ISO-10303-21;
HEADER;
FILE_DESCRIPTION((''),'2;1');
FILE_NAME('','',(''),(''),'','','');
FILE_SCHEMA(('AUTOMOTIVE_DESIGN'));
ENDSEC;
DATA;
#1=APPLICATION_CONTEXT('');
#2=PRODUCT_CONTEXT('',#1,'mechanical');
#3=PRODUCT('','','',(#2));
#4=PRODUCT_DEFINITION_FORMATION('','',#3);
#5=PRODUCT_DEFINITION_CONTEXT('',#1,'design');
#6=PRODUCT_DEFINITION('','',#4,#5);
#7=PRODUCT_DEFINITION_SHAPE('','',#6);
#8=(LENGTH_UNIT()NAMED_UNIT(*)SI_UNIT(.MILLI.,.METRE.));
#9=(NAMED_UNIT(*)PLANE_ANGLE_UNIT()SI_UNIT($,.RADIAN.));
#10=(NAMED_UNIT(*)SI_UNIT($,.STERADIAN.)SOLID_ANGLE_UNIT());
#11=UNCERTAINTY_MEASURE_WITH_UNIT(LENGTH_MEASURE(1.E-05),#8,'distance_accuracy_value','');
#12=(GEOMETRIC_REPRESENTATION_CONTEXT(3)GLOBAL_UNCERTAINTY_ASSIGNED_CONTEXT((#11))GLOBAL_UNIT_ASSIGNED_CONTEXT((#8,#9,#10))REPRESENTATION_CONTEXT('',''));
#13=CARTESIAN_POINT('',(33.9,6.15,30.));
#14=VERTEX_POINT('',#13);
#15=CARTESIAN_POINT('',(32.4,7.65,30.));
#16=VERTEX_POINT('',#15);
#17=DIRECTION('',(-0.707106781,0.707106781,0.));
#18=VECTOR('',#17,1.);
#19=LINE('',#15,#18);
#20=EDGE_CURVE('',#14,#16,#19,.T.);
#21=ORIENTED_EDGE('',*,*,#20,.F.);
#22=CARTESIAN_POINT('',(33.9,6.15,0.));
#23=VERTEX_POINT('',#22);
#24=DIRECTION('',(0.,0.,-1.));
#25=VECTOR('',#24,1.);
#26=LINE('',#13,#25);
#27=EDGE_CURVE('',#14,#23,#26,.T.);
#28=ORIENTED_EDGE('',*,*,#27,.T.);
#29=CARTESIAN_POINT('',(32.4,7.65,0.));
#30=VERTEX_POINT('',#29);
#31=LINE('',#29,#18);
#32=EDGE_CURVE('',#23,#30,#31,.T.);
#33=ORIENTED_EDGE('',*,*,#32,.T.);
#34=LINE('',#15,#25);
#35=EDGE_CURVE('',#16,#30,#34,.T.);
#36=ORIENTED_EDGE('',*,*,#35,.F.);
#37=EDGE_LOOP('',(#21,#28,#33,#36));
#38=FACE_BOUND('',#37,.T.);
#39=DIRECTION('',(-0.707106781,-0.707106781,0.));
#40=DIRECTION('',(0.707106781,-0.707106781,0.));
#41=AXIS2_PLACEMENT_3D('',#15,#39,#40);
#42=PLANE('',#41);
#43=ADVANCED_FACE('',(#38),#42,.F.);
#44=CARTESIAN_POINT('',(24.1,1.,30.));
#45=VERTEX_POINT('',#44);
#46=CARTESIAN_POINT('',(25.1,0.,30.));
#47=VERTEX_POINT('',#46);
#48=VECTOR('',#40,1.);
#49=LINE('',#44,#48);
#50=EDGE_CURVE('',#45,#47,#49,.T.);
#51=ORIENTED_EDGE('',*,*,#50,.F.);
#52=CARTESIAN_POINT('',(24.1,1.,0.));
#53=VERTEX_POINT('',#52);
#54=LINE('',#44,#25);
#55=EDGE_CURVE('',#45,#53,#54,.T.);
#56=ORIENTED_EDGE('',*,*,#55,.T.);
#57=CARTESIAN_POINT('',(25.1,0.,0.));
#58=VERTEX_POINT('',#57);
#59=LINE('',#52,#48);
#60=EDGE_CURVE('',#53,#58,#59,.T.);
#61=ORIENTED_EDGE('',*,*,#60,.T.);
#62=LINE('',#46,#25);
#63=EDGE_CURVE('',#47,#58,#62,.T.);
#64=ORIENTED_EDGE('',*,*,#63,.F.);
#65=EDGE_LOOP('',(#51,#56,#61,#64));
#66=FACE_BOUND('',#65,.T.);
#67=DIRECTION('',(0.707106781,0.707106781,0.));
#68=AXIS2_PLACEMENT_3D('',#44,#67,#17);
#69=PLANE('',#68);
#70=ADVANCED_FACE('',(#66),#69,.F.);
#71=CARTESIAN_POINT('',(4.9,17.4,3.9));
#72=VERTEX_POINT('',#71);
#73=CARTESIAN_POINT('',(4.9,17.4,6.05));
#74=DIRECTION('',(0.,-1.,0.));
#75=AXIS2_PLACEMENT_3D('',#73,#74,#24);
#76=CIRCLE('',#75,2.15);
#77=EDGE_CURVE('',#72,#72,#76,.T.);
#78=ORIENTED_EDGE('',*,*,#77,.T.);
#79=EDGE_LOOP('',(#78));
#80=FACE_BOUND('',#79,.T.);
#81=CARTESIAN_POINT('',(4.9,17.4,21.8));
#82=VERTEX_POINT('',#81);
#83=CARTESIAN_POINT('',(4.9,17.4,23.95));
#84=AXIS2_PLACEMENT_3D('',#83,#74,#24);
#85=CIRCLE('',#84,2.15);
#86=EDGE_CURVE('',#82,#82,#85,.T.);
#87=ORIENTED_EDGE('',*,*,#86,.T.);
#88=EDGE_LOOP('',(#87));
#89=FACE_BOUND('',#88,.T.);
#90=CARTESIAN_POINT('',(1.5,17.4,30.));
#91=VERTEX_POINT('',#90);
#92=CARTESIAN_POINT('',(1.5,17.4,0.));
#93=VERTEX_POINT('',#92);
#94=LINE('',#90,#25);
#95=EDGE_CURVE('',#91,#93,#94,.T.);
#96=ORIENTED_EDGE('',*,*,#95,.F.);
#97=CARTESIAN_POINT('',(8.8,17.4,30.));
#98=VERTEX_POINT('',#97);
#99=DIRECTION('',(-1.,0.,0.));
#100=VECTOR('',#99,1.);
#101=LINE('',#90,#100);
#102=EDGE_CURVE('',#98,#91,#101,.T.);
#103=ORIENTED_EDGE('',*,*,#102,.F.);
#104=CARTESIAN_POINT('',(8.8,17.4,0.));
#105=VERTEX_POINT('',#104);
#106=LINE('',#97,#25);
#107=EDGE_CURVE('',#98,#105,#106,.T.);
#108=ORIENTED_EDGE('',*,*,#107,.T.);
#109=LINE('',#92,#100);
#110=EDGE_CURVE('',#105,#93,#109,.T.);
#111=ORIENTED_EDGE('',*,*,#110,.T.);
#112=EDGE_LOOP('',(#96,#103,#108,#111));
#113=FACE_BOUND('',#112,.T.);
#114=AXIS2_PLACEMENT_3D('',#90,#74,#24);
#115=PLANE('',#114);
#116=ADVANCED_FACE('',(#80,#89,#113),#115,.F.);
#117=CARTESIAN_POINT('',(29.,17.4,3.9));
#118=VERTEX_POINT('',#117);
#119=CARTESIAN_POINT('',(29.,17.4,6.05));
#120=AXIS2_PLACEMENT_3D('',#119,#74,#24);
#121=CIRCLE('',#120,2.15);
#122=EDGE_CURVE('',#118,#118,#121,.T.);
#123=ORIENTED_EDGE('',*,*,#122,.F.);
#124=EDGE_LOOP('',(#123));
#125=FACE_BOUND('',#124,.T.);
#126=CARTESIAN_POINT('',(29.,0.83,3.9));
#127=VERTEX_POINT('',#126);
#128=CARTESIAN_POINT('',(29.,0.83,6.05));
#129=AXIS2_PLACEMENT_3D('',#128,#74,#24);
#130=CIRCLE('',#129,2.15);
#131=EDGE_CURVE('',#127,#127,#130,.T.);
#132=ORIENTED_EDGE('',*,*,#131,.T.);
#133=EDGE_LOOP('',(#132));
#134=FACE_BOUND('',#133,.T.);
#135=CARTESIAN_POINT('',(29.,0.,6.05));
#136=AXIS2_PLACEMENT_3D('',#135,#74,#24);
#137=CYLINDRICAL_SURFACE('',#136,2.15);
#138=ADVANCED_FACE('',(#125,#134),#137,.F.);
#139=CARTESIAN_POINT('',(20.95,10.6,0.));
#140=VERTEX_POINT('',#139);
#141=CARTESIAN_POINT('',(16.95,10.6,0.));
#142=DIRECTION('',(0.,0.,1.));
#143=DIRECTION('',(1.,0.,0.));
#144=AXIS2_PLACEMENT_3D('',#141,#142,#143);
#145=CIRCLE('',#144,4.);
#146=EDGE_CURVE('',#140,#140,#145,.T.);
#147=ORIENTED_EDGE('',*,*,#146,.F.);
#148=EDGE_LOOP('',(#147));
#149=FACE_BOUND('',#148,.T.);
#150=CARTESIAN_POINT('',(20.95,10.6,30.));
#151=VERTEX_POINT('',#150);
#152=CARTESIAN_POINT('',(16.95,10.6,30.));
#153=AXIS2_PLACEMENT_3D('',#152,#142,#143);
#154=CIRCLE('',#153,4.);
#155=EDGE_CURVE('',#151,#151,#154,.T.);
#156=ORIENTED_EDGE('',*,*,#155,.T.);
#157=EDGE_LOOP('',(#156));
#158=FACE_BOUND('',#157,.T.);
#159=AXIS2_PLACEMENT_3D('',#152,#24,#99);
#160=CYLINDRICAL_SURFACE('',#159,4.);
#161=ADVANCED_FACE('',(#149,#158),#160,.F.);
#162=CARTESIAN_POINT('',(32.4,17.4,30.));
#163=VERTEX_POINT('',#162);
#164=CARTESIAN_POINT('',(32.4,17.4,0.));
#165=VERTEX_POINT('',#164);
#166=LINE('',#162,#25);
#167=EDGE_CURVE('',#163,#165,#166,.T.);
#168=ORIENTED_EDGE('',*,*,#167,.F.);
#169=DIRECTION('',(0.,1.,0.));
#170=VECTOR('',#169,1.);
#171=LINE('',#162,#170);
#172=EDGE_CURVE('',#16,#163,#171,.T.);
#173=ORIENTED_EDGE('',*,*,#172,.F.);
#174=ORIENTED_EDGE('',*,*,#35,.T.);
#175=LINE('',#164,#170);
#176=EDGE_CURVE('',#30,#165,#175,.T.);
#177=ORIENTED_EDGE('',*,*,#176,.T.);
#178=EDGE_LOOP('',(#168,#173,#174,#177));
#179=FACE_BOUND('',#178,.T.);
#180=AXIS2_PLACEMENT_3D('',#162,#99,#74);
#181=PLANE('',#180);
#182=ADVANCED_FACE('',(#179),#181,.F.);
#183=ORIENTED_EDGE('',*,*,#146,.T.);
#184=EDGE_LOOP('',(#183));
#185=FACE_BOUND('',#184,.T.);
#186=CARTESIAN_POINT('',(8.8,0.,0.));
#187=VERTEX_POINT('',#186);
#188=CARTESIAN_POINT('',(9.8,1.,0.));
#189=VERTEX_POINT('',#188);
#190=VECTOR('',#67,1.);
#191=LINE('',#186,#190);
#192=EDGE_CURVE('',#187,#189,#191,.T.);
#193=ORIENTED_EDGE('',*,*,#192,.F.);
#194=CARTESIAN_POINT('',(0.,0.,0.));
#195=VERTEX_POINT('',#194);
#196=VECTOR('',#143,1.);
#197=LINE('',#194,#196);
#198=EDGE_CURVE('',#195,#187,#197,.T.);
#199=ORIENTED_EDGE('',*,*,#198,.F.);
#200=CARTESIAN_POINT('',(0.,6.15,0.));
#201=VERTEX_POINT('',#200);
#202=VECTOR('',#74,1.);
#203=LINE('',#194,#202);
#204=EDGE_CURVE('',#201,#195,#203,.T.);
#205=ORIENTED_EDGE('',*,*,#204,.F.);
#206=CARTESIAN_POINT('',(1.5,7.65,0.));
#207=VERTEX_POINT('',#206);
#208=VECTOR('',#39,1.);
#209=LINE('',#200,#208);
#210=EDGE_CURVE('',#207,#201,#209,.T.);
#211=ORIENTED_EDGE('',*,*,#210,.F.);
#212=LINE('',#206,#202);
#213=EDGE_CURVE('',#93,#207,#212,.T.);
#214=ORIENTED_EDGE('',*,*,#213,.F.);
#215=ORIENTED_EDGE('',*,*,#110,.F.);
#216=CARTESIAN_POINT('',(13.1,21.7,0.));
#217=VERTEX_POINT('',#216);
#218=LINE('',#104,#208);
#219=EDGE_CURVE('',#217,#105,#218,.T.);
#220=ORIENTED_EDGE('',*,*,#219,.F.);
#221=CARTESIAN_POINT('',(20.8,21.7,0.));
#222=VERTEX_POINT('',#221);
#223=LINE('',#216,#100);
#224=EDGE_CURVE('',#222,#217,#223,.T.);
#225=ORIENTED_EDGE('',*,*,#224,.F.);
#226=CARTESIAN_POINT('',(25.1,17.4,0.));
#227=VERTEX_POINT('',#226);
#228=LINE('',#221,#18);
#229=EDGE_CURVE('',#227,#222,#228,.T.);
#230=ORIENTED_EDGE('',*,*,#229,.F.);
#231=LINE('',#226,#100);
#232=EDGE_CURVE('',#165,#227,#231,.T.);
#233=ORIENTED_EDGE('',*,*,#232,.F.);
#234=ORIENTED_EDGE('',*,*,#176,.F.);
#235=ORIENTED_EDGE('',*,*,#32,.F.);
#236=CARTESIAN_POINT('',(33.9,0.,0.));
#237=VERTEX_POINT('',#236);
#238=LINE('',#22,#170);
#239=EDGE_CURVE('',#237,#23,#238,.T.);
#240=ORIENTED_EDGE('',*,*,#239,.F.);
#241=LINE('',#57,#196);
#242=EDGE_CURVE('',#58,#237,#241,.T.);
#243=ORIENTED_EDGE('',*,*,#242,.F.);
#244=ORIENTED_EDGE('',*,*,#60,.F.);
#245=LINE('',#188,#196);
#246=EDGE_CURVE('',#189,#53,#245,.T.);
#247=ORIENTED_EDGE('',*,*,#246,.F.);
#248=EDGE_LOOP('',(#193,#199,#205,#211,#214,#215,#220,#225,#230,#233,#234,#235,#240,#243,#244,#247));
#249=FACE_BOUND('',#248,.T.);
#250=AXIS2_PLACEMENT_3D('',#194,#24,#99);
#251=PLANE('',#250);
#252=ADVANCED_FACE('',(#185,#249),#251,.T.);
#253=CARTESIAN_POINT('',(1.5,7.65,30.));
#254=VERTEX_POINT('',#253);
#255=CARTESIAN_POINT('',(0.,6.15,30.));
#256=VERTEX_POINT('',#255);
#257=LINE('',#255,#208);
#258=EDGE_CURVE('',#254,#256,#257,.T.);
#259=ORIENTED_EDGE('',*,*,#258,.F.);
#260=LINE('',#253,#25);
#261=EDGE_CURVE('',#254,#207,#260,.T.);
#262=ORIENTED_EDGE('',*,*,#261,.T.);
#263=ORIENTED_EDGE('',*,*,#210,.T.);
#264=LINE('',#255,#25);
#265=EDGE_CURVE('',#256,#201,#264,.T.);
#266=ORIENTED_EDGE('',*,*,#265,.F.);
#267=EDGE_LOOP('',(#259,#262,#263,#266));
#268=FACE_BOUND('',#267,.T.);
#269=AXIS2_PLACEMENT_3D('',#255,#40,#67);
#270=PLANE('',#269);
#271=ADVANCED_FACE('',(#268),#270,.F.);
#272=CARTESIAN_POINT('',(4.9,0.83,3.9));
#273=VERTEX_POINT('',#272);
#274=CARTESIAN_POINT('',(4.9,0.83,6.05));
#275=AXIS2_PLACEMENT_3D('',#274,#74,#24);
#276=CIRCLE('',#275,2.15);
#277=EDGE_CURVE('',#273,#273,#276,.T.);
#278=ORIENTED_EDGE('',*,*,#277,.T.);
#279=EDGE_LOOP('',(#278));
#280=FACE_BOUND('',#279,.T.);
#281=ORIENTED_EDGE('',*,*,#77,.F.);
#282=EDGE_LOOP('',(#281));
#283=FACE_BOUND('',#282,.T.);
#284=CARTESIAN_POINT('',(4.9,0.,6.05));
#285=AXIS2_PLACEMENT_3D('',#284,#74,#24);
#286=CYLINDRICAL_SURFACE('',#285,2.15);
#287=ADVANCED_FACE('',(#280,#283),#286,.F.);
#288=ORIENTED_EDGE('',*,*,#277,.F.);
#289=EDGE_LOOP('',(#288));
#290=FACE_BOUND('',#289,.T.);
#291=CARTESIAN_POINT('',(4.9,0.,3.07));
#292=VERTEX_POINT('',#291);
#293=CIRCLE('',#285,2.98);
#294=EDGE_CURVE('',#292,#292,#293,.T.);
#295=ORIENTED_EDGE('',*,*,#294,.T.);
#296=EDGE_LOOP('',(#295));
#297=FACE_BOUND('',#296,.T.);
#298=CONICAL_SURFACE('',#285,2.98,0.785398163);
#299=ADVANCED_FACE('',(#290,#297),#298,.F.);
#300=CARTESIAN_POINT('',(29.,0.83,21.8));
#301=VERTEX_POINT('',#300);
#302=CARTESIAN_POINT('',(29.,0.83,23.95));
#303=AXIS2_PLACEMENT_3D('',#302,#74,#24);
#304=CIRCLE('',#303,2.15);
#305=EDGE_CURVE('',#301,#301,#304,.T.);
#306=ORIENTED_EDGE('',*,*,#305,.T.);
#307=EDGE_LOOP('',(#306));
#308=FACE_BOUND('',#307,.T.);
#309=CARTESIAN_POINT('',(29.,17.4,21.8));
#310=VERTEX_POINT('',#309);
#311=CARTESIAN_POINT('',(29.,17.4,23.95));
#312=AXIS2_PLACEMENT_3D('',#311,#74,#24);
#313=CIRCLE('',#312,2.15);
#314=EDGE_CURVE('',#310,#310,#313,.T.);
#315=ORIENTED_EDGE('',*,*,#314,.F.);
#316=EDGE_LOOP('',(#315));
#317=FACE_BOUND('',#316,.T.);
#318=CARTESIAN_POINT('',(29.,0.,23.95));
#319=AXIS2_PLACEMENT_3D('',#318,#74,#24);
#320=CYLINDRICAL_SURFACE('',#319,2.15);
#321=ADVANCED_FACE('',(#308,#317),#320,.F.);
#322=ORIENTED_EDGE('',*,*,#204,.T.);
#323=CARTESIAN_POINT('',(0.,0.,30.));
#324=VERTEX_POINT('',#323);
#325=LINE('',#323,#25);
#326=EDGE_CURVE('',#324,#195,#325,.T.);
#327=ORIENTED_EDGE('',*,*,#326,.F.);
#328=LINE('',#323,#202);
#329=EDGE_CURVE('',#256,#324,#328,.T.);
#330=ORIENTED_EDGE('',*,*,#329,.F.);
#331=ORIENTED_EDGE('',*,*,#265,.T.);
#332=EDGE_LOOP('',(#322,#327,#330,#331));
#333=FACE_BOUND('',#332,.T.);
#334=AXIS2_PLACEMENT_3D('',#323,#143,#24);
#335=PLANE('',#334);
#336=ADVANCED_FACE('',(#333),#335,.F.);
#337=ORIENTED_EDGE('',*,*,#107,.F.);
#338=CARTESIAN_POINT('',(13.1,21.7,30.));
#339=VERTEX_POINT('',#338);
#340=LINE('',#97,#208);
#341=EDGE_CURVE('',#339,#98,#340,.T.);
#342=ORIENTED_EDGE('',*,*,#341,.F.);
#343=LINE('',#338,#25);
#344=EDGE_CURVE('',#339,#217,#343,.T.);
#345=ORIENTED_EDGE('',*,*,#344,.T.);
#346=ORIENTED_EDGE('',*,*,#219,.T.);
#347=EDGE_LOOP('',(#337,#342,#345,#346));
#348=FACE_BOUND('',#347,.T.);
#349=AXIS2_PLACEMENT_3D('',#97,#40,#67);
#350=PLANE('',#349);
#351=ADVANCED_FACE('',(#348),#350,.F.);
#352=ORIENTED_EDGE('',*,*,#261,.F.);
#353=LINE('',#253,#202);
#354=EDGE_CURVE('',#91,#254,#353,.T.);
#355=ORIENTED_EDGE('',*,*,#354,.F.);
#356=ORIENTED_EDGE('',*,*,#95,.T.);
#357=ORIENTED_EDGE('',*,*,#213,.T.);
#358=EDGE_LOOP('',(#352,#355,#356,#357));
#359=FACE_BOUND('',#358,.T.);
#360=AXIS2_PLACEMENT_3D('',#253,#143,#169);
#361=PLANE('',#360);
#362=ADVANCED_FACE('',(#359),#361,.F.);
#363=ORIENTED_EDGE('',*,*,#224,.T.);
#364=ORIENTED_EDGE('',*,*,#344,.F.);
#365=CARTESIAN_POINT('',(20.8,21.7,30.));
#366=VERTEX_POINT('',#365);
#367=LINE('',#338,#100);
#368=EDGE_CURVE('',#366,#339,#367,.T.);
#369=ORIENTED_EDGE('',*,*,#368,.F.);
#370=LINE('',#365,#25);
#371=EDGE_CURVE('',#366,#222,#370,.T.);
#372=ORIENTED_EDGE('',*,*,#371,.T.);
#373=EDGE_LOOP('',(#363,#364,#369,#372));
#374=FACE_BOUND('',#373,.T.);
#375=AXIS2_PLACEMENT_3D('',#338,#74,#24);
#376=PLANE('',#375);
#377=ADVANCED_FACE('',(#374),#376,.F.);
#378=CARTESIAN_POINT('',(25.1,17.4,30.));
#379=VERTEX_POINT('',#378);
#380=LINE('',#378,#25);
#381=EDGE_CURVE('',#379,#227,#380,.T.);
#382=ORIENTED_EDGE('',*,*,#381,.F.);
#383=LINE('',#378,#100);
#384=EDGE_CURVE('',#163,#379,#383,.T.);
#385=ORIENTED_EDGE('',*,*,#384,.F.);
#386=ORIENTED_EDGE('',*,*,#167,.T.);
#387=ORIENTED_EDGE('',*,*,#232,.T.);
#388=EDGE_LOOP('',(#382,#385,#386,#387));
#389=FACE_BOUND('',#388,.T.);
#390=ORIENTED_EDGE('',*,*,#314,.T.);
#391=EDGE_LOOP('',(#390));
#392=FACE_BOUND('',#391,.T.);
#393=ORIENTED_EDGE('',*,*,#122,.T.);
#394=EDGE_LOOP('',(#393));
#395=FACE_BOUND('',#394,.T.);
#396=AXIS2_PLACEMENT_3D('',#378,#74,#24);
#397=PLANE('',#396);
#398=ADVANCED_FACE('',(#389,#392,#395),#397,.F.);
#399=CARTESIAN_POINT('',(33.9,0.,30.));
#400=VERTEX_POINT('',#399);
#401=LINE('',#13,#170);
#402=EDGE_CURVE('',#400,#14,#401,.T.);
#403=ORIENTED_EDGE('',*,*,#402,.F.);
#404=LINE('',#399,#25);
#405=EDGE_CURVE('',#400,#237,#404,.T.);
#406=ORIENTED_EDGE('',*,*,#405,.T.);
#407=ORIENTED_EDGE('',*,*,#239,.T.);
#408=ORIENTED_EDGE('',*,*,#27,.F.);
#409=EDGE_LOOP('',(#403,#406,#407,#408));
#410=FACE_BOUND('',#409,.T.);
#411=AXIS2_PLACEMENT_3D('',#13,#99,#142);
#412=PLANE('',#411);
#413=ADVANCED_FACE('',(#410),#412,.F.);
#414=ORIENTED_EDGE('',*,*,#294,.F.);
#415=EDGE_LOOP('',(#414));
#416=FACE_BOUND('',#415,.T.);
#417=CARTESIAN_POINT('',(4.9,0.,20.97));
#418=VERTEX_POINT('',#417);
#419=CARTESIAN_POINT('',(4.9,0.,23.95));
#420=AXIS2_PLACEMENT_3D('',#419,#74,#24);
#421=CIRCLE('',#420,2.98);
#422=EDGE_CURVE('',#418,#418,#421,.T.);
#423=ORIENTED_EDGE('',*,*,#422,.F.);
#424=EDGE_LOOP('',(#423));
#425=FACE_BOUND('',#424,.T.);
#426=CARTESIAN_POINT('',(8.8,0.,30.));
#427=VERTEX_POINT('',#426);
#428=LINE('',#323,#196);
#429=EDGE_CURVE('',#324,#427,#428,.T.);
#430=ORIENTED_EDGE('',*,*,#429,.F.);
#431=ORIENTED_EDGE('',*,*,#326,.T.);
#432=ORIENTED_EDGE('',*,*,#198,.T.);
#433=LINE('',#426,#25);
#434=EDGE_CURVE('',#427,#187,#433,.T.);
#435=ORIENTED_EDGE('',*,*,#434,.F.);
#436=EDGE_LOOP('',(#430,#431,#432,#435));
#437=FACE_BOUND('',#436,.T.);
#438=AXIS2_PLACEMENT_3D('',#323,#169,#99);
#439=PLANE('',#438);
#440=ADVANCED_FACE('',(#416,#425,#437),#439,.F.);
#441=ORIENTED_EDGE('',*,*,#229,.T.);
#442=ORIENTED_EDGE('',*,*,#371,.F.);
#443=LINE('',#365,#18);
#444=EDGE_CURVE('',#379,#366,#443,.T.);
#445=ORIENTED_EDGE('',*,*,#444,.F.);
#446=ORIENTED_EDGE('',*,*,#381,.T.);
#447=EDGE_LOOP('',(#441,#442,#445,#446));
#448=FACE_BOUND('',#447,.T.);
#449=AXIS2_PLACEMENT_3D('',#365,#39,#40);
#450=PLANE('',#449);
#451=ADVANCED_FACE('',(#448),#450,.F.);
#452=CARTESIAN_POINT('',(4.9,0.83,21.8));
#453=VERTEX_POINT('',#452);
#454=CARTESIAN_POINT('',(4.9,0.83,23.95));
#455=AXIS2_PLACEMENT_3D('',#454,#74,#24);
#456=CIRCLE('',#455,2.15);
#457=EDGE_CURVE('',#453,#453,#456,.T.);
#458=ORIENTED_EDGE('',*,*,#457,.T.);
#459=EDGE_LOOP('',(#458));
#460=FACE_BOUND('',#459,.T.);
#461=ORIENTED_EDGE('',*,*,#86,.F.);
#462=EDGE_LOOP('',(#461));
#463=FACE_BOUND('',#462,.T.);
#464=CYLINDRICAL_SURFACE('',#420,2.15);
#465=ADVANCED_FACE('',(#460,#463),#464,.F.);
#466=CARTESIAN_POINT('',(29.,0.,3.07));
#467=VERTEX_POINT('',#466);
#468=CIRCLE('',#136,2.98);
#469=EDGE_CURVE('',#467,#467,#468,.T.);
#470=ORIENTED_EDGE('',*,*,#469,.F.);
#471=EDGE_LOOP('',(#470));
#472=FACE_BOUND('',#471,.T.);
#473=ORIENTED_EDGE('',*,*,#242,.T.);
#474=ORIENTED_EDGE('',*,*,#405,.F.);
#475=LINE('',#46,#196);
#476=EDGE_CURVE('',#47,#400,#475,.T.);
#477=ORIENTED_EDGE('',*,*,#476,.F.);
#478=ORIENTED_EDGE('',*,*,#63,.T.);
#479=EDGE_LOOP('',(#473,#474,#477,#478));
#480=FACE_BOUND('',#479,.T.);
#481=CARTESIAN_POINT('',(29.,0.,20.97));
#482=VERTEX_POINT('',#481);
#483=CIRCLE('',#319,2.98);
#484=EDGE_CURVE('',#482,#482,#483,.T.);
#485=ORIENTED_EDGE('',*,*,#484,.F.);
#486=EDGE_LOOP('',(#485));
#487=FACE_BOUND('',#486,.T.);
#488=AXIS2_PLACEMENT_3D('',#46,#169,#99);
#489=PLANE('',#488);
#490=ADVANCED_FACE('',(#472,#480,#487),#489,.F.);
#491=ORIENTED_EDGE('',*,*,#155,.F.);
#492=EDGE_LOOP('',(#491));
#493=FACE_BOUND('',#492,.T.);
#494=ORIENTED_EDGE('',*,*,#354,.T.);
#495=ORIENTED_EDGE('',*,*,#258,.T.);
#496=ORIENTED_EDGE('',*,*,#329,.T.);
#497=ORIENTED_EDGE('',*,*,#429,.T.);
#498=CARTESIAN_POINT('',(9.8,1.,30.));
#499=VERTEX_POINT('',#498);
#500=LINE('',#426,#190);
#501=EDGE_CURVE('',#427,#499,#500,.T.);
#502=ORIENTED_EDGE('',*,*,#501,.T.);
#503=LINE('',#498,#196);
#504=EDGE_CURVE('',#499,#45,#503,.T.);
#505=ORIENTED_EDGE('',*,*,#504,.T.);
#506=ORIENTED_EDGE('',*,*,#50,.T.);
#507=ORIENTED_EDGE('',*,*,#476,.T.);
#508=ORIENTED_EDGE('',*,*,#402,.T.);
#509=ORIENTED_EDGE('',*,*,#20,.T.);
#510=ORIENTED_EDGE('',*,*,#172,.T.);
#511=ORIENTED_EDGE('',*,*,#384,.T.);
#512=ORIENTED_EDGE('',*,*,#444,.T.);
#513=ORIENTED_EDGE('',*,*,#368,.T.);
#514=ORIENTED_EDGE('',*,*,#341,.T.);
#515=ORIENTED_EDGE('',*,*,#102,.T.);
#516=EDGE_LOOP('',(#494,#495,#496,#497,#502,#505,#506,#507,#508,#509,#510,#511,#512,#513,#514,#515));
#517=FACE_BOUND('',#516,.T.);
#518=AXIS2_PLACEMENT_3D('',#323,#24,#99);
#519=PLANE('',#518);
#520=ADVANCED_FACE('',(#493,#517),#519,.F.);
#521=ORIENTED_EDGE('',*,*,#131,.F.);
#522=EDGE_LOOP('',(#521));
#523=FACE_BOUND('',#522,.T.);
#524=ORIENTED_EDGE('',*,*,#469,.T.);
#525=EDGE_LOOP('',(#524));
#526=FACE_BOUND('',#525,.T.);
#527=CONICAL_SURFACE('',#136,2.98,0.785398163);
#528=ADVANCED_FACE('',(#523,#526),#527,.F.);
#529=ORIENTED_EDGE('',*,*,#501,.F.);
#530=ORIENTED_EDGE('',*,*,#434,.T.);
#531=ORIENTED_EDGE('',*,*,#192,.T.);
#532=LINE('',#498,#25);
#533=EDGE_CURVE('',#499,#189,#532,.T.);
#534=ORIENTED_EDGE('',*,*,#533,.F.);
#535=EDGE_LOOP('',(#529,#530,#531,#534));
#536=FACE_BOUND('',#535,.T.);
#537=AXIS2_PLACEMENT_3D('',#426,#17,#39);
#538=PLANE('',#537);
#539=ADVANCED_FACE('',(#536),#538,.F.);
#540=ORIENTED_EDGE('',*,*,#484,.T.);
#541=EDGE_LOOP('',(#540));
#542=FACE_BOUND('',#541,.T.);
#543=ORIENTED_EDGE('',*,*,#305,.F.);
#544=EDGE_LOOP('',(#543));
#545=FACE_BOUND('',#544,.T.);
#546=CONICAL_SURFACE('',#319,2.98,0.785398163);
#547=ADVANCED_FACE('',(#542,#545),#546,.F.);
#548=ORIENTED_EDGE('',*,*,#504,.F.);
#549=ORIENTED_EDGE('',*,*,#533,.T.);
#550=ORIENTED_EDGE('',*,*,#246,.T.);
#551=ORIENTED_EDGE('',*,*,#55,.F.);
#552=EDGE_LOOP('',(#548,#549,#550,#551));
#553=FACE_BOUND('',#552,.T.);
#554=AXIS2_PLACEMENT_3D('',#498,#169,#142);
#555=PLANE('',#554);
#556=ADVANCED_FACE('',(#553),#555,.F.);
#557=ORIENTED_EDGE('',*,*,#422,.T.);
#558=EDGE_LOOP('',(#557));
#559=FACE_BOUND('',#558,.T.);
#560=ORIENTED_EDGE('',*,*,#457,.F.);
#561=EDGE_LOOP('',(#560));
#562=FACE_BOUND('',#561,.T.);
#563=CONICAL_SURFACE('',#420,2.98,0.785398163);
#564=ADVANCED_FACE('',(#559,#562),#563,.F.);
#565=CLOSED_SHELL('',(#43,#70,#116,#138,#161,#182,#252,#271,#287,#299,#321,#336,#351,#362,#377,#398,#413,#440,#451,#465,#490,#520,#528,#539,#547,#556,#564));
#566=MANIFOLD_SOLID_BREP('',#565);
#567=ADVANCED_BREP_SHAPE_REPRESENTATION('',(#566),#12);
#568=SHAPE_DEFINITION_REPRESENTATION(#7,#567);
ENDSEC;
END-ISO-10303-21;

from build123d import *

# Parameters (mm, degrees)
SKETCH1_R                                            = 4
BOSS_EXTRUDE1_DEPTH                                  = 30
CSK_FOR_M4_HEX_SOCKET_COUNTERSUNK_CAP_SC_D           = 4.3
CSK_FOR_M4_HEX_SOCKET_COUNTERSUNK_CAP_SC_CSINK_D     = 5.96
CSK_FOR_M4_HEX_SOCKET_COUNTERSUNK_CAP_SC_CSINK_ANGLE = 90


with BuildPart() as part:
    # Sketch1 → Boss-Extrude1 (new body)
    with BuildSketch(Plane.XY):
        Polygon((0, 0), (0, 6.15), (1.5, 7.65), (1.5, 17.4), (8.8, 17.4), (13.1, 21.7), (20.8, 21.7), (25.1, 17.4), (32.4, 17.4), (32.4, 7.65), (33.9, 6.15), (33.9, 0), (25.1, 0), (24.1, 1), (9.8, 1), (8.8, 0), align=None)
        with Locations((16.95, 10.6)):
            Circle(SKETCH1_R, mode=Mode.SUBTRACT)
    extrude(amount=BOSS_EXTRUDE1_DEPTH)

    # CSK for M4 Hex Socket Countersunk Cap Screw1 (through all)
    with Locations(Plane(origin=(0, 0, 0), x_dir=(-1, 0, 0), z_dir=(0, -1, 0))):
        with Locations((-4.9, -6.05), (-4.9, -23.95), (-29, -6.05), (-29, -23.95)):
            CounterSinkHole(CSK_FOR_M4_HEX_SOCKET_COUNTERSUNK_CAP_SC_D / 2, CSK_FOR_M4_HEX_SOCKET_COUNTERSUNK_CAP_SC_CSINK_D / 2, counter_sink_angle=CSK_FOR_M4_HEX_SOCKET_COUNTERSUNK_CAP_SC_CSINK_ANGLE)


solid = part.part
